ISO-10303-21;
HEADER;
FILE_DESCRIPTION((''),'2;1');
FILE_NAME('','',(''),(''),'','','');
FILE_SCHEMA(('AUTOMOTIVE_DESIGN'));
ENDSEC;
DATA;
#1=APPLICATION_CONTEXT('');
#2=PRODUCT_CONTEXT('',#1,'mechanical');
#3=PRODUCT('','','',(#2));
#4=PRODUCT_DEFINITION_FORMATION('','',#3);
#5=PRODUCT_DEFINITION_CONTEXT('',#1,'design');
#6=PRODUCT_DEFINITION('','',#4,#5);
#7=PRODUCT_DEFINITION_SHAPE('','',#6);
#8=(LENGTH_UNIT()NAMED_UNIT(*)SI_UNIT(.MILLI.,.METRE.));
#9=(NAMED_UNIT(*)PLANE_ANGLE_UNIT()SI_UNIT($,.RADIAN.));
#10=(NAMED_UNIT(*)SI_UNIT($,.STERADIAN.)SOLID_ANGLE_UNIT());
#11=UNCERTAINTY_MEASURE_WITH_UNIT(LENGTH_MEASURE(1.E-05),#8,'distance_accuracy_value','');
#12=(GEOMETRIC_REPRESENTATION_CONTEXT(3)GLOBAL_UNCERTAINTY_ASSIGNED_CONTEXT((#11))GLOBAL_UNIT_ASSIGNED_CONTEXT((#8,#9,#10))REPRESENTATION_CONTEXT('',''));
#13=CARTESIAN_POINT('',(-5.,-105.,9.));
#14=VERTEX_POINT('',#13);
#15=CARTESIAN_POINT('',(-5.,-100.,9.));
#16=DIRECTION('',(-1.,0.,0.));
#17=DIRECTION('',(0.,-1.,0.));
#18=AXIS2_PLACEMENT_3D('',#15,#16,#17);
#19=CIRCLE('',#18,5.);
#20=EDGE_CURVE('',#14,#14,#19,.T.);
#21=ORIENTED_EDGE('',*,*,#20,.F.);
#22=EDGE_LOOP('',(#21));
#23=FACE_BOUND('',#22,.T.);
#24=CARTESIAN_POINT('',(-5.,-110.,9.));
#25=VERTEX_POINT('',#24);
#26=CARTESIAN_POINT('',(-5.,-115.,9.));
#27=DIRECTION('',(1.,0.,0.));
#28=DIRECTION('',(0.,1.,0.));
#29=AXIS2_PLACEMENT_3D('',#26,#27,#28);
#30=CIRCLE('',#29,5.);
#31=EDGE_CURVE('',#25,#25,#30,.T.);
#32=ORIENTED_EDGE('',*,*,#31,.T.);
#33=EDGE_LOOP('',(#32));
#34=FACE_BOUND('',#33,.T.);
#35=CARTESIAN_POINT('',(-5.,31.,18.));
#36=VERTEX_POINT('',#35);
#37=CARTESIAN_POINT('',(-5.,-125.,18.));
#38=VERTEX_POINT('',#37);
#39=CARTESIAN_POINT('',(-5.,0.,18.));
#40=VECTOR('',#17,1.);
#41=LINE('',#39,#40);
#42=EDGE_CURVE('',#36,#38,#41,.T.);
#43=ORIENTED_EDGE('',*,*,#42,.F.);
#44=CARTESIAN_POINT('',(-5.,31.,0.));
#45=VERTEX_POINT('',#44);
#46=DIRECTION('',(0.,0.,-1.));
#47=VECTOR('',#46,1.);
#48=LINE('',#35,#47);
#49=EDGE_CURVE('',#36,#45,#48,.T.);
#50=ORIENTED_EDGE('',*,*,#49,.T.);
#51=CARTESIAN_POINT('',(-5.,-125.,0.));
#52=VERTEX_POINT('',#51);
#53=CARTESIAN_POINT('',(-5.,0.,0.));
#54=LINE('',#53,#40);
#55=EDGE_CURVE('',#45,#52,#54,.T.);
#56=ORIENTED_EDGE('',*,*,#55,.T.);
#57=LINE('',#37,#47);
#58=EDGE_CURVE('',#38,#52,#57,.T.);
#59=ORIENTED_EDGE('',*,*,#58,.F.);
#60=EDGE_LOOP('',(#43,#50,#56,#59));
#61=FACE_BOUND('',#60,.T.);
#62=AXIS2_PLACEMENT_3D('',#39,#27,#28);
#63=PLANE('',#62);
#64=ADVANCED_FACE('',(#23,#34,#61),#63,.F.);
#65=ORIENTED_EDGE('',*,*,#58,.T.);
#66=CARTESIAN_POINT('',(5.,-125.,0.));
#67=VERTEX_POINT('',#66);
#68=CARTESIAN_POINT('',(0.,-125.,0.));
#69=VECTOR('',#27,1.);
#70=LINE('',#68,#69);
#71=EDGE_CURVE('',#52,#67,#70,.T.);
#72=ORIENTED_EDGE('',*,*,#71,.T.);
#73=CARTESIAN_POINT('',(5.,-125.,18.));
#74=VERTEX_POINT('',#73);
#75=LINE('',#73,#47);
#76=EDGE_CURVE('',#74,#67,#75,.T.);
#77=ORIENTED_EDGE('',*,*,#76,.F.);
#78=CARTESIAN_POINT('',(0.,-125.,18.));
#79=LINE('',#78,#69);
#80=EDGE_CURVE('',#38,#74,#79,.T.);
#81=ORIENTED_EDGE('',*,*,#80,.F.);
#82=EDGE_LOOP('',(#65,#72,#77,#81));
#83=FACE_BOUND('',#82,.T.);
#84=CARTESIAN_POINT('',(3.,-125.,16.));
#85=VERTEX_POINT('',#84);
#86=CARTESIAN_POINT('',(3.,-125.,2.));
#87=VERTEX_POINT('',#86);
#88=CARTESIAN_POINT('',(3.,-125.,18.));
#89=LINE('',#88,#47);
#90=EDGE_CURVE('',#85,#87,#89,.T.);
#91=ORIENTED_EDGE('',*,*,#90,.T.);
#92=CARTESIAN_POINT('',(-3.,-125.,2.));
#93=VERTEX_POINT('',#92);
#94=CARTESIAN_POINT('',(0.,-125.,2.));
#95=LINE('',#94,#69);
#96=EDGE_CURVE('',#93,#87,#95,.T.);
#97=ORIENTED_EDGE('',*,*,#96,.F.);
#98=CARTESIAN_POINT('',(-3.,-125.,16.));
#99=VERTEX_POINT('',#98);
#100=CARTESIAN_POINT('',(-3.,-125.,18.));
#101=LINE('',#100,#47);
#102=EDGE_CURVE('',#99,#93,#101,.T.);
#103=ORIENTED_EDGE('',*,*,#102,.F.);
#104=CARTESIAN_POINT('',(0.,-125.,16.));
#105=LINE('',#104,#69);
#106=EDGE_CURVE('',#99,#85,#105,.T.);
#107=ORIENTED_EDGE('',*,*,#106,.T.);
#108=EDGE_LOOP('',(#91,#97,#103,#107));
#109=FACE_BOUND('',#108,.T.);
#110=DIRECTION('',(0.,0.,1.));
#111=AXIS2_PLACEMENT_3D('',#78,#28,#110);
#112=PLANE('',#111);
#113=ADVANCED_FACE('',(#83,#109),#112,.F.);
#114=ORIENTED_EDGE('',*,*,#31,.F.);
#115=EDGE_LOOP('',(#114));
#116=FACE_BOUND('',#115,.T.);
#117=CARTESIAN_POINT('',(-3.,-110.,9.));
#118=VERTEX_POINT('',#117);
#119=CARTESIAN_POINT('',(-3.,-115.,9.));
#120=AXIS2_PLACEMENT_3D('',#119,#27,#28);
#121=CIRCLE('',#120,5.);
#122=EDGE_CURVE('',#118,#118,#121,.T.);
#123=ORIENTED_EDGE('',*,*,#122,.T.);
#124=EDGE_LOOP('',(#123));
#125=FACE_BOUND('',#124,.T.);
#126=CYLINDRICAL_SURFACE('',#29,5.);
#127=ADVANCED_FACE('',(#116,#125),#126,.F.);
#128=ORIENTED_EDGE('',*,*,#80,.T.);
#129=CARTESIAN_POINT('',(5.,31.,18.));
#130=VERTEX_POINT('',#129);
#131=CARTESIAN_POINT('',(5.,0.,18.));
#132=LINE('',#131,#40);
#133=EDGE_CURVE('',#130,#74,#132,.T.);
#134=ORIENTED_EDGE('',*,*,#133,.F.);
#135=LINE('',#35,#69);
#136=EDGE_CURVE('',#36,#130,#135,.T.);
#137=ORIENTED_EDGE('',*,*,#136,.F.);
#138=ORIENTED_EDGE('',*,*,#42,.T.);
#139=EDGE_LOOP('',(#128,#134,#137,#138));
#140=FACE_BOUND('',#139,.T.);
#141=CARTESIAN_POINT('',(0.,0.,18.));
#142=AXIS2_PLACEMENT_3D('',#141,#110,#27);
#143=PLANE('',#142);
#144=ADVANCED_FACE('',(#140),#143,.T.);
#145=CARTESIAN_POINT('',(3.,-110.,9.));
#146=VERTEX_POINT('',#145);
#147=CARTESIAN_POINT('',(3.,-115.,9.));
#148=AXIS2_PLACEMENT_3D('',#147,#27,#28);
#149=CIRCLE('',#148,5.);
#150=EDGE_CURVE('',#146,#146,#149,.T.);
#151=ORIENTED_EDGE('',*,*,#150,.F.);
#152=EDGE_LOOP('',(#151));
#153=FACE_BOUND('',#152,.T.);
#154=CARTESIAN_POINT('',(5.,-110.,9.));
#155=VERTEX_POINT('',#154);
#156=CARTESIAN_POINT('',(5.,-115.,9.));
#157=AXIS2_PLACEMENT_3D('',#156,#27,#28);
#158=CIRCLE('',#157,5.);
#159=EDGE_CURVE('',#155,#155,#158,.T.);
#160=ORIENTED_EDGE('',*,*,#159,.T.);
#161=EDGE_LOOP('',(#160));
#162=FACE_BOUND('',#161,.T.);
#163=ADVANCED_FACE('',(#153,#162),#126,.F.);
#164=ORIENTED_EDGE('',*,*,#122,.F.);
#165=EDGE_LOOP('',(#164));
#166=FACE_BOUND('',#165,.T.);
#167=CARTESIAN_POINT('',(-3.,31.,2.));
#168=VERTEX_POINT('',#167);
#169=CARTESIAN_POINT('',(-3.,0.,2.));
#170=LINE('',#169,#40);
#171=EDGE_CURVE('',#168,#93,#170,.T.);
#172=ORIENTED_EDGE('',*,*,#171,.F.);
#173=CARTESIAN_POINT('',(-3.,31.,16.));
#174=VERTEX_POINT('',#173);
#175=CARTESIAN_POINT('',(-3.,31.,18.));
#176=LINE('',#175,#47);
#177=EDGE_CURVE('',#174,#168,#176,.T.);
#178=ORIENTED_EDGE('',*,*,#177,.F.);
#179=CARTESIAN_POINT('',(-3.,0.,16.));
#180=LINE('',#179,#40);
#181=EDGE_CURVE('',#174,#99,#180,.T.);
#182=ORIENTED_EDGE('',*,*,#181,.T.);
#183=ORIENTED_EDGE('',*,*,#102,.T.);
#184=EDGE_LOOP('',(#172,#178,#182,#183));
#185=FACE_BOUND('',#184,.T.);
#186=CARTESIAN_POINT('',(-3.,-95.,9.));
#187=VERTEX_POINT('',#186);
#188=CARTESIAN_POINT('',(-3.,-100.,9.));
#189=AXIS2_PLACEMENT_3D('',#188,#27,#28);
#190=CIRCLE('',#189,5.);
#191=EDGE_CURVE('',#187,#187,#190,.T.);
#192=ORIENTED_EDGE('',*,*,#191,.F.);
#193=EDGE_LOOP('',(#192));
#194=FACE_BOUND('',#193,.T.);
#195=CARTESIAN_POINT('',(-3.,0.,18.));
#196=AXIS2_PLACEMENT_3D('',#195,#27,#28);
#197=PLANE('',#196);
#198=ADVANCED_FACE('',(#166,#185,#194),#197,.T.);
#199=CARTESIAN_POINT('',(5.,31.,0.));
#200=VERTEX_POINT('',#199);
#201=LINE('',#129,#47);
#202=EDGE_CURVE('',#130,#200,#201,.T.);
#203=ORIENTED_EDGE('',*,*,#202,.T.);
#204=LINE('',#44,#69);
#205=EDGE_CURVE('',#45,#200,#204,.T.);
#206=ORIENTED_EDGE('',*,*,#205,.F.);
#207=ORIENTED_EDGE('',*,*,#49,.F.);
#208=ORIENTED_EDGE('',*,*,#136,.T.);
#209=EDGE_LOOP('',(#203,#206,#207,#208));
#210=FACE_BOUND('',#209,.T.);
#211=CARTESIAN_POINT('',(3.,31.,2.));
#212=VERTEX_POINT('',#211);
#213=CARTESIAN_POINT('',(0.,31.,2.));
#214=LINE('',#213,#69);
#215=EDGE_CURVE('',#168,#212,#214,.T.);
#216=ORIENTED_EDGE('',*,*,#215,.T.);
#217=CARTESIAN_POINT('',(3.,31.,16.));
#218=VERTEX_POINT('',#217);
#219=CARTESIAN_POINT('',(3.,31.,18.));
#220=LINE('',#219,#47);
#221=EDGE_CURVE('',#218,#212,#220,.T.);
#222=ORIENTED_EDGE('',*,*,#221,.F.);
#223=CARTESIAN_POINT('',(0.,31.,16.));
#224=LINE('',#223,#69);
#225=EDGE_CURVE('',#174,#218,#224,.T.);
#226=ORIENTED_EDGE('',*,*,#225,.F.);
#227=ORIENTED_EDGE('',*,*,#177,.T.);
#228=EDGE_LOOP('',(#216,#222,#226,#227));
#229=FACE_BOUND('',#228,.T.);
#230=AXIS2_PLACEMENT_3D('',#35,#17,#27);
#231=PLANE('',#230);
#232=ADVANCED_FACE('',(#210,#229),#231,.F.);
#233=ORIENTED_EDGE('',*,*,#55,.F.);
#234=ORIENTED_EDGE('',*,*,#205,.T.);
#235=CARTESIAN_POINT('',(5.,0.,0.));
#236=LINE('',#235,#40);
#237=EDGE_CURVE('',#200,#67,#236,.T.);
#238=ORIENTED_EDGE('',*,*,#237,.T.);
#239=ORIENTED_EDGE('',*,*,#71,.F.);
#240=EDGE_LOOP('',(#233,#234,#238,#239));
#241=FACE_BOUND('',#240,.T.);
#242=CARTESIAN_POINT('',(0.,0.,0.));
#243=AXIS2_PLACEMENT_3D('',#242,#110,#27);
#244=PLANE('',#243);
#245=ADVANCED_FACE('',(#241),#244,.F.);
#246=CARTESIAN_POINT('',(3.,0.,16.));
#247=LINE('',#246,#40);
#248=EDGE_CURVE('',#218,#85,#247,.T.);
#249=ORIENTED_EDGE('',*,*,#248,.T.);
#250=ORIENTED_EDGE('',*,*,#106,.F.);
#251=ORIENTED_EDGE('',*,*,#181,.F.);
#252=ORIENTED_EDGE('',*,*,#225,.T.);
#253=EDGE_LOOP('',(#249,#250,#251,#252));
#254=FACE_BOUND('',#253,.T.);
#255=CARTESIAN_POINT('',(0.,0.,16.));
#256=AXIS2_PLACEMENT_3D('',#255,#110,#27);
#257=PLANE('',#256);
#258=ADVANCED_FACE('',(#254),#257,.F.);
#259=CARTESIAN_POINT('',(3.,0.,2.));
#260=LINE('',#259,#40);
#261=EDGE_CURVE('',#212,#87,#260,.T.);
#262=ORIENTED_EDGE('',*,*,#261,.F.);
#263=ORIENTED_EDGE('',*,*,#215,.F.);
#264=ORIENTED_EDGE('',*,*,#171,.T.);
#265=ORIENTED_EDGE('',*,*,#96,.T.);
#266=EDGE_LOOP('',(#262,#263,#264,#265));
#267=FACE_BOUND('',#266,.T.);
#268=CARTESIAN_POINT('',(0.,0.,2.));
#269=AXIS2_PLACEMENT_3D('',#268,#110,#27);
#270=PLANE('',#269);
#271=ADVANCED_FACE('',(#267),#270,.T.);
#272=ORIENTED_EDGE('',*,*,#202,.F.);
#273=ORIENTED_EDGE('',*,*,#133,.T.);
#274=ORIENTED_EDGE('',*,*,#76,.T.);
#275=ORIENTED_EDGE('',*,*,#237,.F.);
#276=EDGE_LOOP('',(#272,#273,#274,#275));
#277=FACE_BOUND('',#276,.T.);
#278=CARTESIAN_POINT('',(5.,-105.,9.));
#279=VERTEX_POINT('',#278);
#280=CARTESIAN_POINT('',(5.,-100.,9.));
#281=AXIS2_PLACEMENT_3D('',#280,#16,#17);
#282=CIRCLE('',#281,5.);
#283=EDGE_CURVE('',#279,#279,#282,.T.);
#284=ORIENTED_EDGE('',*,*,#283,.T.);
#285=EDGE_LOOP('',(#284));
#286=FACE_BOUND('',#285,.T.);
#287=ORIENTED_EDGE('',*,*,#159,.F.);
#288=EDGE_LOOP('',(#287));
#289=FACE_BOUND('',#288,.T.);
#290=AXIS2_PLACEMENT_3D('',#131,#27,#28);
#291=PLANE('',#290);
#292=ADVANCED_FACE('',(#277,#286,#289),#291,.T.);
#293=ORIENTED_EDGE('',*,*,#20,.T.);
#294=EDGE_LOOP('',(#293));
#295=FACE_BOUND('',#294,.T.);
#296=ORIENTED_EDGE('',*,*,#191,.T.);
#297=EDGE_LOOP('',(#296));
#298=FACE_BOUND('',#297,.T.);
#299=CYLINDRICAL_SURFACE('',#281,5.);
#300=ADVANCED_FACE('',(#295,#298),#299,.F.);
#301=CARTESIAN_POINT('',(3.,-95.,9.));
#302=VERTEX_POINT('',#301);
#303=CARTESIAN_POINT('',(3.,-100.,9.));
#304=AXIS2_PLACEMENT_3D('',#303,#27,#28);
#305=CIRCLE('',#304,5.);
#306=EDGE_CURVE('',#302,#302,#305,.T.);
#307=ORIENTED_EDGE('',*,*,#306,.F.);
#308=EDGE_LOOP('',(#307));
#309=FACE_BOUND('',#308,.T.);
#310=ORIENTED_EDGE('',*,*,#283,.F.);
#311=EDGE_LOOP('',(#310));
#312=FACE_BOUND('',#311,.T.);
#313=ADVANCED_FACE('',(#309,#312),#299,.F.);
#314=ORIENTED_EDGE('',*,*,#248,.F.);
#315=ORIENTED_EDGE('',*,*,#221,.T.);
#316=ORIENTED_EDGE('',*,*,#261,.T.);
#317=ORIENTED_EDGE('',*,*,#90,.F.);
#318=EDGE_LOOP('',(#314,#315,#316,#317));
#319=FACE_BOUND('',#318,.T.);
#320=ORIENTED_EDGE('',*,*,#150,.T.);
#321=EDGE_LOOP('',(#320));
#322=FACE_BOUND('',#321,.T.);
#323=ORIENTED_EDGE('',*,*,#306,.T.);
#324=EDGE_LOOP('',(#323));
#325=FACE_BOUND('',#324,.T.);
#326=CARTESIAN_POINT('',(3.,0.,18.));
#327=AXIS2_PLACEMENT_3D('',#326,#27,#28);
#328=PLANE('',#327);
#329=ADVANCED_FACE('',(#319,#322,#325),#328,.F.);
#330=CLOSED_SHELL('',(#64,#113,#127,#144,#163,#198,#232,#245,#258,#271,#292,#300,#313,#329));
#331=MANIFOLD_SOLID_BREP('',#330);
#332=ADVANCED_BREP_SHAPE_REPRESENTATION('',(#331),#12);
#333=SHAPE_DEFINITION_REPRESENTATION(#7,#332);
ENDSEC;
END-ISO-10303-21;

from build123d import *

# Parameters (mm, degrees)
SKETCH1_W           = 10
SKETCH1_H           = 250
BOSS_EXTRUDE1_DEPTH = 18
SHELL1_T            = -2
SKETCH3_R           = 5
CUT_EXTRUDE2_DEPTH  = 10
SKETCH4_R           = 5
CUT_EXTRUDE3_DEPTH  = 10
SKETCH5_W           = 18
SKETCH5_H           = 94
CUT_EXTRUDE4_DEPTH  = 10


with BuildPart() as part:
    # Sketch1 → Boss-Extrude1 (new body)
    with BuildSketch(Plane.XY):
        Rectangle(SKETCH1_W, SKETCH1_H)
    extrude(amount=BOSS_EXTRUDE1_DEPTH)

    # Shell1
    shell1_openings = [part.faces().sort_by_distance(p)[0] for p in [
        (0, 125, 9),
        (0, -125, 9),
    ]]
    offset(amount=SHELL1_T, openings=shell1_openings, kind=Kind.INTERSECTION)

    # Sketch3 → Cut-Extrude2 (cut)
    with BuildSketch(Plane.ZY.offset(5)):
        with Locations((9, -100)):
            Circle(SKETCH3_R)
    extrude(amount=-CUT_EXTRUDE2_DEPTH, mode=Mode.SUBTRACT)

    # Sketch4 → Cut-Extrude3 (cut)
    with BuildSketch(Plane(origin=(5, 0, 0), x_dir=(0, 0, -1), z_dir=(1, 0, 0))):
        with Locations((-9, -115)):
            Circle(SKETCH4_R)
    extrude(amount=-CUT_EXTRUDE3_DEPTH, mode=Mode.SUBTRACT)

    # Sketch5 → Cut-Extrude4 (cut)
    with BuildSketch(Plane(origin=(5, 0, 0), x_dir=(0, 0, -1), z_dir=(1, 0, 0))):
        with Locations((-9, 78)):
            Rectangle(SKETCH5_W, SKETCH5_H)
    extrude(amount=-CUT_EXTRUDE4_DEPTH, mode=Mode.SUBTRACT)


solid = part.part
